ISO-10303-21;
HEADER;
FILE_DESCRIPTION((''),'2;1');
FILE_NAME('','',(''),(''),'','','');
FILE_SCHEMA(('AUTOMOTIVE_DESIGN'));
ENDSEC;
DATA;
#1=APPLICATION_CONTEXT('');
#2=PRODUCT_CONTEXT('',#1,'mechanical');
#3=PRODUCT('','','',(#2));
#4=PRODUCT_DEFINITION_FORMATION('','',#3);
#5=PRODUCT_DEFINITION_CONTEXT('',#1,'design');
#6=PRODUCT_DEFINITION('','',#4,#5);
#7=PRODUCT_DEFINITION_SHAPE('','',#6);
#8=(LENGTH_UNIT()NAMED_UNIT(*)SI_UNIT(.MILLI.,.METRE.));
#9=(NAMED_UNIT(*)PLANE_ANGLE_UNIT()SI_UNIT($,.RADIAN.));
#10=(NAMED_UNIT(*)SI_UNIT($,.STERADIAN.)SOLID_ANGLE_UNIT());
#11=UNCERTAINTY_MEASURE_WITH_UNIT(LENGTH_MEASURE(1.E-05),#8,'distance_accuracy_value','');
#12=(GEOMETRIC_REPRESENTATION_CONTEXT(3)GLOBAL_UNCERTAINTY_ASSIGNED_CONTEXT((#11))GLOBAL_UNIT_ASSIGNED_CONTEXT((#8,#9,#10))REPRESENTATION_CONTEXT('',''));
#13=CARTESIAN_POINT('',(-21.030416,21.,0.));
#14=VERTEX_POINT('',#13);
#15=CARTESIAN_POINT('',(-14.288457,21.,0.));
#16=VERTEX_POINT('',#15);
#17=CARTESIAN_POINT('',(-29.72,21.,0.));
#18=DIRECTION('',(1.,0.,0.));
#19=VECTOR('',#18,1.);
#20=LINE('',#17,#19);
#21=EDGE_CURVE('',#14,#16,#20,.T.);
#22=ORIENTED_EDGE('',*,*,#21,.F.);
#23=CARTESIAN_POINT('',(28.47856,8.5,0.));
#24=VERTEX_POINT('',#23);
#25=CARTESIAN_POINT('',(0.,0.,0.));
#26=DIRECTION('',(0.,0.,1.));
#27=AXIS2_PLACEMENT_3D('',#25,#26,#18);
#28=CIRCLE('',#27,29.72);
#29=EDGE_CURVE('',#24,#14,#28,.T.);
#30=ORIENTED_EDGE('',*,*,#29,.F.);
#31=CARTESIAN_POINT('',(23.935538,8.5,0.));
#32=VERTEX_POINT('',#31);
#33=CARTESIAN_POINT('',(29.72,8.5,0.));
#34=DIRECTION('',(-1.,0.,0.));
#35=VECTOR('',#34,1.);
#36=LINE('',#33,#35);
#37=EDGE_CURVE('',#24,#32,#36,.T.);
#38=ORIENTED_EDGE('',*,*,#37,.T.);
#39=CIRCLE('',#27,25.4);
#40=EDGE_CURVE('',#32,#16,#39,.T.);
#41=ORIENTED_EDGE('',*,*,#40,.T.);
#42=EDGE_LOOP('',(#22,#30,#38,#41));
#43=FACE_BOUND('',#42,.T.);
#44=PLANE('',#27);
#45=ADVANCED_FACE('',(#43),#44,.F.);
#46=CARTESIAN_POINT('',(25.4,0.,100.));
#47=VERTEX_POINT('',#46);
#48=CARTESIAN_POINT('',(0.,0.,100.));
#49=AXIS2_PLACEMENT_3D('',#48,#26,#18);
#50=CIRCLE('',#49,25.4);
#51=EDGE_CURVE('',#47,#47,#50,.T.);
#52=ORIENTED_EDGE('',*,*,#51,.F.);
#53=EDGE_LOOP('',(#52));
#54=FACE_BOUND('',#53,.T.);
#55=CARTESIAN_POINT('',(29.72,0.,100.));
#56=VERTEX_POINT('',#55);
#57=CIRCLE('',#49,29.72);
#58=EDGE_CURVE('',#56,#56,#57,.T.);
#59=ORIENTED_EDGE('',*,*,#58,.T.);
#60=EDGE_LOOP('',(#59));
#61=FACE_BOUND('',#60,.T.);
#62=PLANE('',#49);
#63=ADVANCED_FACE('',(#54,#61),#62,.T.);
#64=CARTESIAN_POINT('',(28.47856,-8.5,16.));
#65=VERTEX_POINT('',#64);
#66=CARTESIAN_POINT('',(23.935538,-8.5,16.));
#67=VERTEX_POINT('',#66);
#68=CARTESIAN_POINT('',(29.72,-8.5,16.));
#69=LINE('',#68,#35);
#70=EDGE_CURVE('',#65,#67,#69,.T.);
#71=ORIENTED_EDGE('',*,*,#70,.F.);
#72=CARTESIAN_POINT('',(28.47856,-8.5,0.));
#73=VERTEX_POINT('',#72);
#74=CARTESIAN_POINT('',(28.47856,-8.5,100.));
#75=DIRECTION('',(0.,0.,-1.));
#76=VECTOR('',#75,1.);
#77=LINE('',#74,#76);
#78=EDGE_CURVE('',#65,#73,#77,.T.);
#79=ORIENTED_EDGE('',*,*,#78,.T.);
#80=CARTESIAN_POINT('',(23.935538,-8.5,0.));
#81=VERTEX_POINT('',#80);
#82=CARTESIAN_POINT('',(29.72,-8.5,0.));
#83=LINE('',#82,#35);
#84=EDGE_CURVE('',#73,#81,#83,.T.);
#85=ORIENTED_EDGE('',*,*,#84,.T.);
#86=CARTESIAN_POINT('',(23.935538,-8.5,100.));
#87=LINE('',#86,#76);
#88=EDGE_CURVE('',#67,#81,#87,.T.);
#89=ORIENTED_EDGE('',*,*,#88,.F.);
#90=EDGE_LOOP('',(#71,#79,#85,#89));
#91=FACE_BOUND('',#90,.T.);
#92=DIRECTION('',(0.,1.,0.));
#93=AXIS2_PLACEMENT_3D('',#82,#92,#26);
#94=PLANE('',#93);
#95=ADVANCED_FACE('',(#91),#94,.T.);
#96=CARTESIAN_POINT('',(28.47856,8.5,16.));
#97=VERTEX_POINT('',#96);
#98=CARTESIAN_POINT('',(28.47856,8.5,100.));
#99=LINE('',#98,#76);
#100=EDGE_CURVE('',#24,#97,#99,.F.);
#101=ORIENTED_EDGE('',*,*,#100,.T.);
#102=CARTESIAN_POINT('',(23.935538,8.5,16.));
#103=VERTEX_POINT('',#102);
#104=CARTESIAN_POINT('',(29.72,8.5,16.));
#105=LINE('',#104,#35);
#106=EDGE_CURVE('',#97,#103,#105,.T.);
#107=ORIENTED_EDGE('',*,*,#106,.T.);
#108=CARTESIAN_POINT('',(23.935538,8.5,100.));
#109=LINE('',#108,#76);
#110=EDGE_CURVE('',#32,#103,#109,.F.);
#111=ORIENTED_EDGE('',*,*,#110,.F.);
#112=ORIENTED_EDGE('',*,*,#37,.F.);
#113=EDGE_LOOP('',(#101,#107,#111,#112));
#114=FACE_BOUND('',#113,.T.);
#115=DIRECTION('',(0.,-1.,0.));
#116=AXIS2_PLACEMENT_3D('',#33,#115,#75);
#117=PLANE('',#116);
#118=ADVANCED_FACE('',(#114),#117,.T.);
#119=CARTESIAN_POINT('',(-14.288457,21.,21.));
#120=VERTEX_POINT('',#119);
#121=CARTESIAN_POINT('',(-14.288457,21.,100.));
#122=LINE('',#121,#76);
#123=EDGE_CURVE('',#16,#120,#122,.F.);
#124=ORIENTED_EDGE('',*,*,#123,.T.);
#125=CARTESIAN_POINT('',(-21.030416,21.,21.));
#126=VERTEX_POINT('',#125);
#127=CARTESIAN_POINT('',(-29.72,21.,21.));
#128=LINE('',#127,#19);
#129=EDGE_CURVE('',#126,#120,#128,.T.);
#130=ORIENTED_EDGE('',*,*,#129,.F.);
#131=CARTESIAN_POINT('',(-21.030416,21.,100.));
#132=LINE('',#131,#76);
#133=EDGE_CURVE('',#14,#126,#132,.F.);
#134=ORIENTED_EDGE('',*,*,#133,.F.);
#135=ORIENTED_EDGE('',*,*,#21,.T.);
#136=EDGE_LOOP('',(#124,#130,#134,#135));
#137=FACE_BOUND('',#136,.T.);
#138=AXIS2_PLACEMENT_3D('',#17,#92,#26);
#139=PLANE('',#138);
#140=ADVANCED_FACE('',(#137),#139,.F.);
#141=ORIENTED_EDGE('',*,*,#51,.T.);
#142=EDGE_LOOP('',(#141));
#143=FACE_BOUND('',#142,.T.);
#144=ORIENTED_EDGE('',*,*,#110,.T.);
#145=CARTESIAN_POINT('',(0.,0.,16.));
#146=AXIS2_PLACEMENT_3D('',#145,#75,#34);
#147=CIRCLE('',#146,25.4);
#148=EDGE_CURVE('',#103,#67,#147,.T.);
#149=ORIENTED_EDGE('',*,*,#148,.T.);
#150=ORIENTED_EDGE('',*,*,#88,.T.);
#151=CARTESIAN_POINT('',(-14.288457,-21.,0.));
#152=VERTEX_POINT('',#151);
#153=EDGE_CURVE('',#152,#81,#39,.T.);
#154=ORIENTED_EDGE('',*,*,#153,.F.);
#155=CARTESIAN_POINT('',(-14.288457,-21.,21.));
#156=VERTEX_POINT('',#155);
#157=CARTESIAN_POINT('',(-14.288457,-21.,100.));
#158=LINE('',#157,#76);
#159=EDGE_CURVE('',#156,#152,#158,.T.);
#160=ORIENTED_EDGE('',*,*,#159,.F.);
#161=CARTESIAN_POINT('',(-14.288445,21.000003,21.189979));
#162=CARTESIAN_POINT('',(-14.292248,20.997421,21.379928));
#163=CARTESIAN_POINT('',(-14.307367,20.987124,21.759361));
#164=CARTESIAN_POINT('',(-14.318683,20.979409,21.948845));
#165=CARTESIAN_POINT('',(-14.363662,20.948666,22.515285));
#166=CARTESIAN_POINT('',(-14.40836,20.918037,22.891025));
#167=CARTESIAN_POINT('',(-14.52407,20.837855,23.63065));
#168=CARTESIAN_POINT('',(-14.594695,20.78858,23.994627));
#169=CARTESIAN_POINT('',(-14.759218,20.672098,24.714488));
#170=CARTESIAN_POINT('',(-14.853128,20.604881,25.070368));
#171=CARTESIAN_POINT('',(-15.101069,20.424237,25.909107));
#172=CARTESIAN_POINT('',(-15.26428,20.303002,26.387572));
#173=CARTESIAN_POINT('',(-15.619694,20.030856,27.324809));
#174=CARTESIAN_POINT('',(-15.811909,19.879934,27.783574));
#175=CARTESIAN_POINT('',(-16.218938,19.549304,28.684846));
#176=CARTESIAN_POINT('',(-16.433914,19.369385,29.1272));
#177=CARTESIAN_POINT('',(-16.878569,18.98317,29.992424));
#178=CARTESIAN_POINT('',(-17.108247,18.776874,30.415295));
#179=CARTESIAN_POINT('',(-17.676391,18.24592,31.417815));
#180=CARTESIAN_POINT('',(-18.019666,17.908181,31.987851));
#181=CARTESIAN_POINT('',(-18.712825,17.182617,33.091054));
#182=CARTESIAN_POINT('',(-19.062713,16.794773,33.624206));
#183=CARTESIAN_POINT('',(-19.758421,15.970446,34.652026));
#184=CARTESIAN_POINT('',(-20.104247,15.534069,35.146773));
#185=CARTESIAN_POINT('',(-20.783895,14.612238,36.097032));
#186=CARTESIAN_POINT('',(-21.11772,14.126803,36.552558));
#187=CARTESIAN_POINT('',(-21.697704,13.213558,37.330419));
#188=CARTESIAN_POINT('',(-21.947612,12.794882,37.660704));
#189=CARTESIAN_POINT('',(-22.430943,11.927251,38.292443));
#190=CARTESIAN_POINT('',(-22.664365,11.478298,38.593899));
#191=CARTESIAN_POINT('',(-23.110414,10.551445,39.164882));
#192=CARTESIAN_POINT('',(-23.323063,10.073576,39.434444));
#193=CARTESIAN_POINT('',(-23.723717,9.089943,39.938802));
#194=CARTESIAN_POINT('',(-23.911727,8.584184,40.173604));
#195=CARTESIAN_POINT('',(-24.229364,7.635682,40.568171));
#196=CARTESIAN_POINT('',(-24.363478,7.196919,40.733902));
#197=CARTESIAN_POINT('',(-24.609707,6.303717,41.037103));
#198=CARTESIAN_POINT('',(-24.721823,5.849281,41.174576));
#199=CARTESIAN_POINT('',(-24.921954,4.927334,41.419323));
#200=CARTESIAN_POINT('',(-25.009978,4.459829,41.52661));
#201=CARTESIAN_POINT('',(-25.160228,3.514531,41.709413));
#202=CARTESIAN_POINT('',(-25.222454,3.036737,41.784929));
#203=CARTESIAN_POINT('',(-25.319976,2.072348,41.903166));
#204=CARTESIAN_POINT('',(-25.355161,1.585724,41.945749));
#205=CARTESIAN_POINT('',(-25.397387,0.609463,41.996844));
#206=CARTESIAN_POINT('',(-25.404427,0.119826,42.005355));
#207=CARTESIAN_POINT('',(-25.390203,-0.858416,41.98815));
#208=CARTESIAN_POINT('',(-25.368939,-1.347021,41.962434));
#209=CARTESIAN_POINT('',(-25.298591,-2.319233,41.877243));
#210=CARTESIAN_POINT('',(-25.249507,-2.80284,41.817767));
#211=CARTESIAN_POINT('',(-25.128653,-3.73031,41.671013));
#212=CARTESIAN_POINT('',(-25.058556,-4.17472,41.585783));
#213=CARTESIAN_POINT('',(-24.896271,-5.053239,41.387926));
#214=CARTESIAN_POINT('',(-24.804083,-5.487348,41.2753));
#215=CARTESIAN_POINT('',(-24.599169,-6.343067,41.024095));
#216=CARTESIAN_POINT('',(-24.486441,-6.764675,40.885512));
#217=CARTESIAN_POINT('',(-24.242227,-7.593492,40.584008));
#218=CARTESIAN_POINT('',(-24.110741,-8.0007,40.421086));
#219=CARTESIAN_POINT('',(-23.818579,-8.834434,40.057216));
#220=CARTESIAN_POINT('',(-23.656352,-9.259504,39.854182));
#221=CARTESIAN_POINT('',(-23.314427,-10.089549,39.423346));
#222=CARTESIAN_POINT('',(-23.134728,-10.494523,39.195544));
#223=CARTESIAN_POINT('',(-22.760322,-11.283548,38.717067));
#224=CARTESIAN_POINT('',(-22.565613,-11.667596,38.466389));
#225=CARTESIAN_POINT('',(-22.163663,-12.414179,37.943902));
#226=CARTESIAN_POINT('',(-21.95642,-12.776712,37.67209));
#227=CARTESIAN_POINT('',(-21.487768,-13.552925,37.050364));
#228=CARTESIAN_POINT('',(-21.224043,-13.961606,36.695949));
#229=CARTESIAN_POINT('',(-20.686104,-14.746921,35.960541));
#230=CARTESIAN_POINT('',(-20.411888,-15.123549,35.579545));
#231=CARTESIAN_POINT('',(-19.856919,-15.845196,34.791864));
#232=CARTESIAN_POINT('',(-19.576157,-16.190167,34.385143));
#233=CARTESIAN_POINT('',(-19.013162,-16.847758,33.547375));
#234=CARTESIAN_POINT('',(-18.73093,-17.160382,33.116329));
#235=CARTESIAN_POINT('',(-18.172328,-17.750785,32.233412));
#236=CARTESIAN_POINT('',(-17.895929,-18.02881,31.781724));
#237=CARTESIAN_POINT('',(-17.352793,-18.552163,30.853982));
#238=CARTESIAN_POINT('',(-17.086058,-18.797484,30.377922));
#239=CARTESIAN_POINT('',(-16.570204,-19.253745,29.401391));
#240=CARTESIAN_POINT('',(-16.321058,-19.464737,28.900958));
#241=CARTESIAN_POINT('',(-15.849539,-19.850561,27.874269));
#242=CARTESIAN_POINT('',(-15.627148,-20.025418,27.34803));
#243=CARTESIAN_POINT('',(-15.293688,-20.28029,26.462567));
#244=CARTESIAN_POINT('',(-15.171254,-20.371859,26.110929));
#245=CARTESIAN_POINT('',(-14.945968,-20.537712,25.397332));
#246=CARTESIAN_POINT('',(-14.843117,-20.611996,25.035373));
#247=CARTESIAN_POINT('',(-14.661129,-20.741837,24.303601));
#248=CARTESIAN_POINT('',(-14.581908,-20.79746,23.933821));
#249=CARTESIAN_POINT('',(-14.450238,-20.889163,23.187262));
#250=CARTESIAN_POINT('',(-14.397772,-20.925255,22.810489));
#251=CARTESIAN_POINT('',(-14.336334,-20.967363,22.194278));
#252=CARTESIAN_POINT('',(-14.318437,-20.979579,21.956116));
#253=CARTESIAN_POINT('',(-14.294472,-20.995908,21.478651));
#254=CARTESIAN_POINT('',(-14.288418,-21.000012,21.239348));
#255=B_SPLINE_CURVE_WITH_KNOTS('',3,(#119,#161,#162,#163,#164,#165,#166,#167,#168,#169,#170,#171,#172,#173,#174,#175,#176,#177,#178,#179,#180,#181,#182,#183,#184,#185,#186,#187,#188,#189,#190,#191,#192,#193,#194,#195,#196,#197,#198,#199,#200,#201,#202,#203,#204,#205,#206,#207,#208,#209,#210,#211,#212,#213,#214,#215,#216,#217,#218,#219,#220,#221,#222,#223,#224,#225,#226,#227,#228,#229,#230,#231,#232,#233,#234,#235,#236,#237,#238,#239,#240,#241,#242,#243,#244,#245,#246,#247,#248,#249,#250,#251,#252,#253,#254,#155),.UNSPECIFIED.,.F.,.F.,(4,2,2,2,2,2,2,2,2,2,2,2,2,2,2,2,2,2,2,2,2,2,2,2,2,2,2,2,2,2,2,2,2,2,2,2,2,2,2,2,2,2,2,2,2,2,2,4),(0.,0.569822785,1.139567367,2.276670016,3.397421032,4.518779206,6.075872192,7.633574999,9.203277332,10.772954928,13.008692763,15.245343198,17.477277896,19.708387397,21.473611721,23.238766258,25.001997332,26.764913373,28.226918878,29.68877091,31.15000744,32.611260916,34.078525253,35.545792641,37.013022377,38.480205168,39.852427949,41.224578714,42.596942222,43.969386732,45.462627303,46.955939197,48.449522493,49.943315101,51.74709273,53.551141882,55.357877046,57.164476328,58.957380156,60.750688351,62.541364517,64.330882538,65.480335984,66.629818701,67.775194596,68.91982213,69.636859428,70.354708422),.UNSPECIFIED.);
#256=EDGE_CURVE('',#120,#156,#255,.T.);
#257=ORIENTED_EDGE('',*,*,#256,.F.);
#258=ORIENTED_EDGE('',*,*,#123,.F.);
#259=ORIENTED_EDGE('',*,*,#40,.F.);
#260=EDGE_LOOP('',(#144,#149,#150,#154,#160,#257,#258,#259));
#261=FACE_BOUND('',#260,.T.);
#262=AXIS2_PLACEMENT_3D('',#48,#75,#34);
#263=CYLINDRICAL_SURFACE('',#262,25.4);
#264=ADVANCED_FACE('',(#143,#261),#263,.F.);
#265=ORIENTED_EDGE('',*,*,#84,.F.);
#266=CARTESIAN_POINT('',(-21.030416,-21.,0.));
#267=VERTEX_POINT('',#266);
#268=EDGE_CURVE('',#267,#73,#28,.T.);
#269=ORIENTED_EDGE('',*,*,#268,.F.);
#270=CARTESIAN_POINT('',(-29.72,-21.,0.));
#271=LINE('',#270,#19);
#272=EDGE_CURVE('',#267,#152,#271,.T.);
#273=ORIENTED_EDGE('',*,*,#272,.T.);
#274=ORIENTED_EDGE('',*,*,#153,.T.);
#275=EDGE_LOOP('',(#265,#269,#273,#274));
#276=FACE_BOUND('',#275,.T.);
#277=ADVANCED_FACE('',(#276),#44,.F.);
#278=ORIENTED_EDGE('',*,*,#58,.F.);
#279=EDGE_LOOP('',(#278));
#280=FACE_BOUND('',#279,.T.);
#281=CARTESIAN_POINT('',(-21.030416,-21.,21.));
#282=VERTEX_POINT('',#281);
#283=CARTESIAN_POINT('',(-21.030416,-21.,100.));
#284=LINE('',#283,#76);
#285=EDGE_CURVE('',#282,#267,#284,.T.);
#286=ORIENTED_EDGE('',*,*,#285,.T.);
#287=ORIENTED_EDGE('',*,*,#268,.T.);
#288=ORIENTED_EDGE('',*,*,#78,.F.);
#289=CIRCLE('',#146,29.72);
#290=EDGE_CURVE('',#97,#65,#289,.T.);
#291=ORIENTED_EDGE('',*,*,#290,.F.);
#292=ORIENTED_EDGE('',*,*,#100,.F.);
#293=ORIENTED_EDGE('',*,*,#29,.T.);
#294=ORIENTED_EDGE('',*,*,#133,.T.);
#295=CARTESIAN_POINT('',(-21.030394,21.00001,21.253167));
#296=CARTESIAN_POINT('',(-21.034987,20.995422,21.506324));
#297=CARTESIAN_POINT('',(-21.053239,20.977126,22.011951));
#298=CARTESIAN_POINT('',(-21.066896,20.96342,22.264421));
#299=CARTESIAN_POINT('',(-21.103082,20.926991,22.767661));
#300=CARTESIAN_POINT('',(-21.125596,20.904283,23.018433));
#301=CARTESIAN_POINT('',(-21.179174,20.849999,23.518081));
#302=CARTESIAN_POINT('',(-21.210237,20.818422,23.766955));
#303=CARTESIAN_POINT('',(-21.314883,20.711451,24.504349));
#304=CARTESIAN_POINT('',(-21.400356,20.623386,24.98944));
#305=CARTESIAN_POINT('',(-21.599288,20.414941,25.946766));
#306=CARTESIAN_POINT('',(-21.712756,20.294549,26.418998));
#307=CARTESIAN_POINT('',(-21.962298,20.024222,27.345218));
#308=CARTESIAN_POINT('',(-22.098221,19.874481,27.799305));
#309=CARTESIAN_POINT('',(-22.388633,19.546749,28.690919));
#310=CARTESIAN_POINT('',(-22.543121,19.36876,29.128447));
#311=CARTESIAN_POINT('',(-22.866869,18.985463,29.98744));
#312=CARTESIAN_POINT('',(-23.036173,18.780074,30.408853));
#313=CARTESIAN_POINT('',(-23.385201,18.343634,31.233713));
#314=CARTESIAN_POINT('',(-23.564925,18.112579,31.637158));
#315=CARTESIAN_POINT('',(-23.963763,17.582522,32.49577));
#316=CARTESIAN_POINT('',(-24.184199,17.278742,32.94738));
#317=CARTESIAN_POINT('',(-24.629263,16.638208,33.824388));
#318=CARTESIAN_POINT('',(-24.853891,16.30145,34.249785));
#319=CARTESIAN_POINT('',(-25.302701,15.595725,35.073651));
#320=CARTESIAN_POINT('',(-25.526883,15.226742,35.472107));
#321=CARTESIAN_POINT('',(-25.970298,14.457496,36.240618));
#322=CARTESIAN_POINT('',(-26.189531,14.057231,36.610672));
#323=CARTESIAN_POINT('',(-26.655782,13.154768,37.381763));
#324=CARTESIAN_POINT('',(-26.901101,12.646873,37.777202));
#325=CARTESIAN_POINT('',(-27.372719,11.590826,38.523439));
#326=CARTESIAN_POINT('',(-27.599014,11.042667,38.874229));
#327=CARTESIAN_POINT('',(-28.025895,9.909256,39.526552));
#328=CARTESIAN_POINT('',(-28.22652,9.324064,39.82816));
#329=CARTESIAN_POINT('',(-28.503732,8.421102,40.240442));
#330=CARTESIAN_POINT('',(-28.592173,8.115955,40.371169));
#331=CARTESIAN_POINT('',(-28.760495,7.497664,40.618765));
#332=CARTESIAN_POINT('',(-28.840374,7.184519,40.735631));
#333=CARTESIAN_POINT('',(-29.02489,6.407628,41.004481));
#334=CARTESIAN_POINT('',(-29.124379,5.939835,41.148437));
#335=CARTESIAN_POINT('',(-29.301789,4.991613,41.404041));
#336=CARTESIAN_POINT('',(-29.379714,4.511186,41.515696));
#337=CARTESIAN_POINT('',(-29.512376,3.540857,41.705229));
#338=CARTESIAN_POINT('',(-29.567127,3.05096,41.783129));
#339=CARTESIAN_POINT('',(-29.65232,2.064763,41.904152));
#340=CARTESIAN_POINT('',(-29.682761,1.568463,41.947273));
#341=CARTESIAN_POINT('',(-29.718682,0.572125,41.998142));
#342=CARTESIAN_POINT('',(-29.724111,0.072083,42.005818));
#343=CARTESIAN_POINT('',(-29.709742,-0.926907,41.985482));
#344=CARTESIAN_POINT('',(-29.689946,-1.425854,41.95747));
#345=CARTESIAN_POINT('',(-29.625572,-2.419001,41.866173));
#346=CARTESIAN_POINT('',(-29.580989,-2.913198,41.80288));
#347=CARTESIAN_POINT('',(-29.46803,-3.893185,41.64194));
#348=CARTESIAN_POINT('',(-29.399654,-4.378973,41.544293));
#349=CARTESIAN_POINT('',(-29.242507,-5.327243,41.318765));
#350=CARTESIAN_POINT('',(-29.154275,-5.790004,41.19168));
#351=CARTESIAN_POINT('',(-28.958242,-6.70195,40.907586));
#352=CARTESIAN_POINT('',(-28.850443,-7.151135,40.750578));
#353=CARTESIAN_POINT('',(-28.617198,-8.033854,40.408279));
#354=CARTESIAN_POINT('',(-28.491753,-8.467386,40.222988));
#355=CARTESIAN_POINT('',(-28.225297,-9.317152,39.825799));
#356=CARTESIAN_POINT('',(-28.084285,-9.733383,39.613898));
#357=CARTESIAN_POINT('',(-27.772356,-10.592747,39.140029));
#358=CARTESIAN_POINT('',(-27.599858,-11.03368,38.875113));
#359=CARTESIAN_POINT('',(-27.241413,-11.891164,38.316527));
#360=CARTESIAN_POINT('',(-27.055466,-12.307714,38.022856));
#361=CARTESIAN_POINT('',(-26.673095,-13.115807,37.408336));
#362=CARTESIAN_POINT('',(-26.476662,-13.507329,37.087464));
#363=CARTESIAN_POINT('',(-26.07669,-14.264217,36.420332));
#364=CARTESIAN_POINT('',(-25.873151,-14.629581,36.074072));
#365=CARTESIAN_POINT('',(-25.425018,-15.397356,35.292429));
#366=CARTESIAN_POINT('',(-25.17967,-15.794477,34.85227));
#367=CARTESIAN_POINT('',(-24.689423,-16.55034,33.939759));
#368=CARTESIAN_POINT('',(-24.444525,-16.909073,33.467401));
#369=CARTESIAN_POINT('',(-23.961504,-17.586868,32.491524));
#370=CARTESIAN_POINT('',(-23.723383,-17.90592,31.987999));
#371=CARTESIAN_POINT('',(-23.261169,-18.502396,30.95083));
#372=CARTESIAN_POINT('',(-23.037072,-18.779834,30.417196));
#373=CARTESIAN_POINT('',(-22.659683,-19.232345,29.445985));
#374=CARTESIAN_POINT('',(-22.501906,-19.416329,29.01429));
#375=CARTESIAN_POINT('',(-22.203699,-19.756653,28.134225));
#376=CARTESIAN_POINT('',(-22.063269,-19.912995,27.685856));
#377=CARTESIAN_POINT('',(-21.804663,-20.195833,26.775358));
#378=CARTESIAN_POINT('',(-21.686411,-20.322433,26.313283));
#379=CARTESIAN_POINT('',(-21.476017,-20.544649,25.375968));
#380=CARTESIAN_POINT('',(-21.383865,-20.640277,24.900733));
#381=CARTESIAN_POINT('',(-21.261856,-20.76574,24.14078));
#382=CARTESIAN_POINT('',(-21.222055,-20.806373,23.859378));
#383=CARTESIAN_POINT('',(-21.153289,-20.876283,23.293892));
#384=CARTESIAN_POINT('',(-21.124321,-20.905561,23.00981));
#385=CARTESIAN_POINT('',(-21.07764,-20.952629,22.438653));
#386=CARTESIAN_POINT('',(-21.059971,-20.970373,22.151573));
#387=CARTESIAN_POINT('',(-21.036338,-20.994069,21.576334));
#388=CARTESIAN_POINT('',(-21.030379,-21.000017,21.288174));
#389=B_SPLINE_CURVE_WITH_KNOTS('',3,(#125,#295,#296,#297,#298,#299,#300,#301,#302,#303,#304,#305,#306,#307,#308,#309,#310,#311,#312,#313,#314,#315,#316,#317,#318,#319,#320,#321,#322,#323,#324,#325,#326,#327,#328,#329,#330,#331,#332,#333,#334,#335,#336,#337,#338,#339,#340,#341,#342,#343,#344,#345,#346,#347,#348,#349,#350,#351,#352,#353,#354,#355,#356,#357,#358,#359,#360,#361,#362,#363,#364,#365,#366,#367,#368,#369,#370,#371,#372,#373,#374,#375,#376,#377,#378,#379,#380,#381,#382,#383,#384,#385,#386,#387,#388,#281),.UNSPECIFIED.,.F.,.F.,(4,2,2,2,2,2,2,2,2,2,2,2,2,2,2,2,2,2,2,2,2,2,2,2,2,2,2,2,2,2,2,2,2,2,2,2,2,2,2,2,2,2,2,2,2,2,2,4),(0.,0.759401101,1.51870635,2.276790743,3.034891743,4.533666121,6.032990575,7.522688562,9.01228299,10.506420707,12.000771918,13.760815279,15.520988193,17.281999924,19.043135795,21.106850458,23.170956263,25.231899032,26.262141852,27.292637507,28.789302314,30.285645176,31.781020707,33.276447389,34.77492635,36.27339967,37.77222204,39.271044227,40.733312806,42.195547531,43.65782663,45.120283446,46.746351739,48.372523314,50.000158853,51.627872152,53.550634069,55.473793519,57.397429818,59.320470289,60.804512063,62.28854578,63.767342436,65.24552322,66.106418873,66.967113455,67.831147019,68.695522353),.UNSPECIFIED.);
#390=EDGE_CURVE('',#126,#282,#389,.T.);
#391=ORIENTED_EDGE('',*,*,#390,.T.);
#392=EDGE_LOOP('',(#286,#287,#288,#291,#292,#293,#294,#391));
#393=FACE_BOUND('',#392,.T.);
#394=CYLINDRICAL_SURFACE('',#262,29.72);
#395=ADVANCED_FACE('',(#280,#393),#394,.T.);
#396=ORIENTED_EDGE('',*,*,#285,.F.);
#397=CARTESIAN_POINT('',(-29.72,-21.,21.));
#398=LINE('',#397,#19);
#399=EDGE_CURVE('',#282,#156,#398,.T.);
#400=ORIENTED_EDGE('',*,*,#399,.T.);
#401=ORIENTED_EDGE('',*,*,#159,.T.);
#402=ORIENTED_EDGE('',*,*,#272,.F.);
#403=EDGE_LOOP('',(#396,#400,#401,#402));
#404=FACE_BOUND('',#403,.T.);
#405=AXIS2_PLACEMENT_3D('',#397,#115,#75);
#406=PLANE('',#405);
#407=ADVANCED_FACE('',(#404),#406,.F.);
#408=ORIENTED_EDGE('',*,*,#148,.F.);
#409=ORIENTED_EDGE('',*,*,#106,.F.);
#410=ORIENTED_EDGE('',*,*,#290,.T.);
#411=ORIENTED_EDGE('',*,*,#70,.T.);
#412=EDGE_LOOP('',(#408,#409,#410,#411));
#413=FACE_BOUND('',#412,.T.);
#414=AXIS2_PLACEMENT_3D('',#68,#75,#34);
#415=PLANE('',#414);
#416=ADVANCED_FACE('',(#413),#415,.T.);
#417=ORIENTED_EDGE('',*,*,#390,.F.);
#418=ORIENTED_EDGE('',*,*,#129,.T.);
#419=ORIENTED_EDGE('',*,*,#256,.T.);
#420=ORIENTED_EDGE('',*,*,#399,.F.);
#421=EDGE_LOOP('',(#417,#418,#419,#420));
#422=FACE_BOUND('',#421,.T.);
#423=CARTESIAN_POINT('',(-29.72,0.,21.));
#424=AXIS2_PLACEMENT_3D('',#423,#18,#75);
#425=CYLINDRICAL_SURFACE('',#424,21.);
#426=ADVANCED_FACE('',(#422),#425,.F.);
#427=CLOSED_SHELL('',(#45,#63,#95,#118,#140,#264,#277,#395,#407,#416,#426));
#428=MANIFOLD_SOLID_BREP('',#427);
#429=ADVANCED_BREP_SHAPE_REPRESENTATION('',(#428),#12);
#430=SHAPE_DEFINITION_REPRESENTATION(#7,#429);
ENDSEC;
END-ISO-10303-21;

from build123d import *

# Parameters (mm, degrees)
CROQUIS1_R              = 29.72
CROQUIS1_R_2            = 25.4
SALIENTE_EXTRUIR1_DEPTH = 100
CORTAR_EXTRUIR2_DEPTH   = 109.473760883
CROQUIS4_W              = 16
CROQUIS4_H              = 17
CORTAR_EXTRUIR3_DEPTH   = 109.47376103


with BuildPart() as part:
    # Croquis1 → Saliente-Extruir1 (new body)
    with BuildSketch(Plane.XY):
        Circle(CROQUIS1_R)
        Circle(CROQUIS1_R_2, mode=Mode.SUBTRACT)
    extrude(amount=SALIENTE_EXTRUIR1_DEPTH)

    # Croquis3 → Cortar-Extruir2 (cut, through all)
    with BuildSketch(Plane(origin=(0, 0, 0), x_dir=(0, 0, -1), z_dir=(1, 0, 0))):
        with BuildLine():
            Line((0, 21), (-21, 21))
            ThreePointArc((-21, 21), (-42, 0), (-21, -21))
            Line((-21, -21), (0, -21))
            Line((0, -21), (0, 21))
        make_face()
    extrude(amount=-CORTAR_EXTRUIR2_DEPTH, mode=Mode.SUBTRACT)

    # Croquis4 → Cortar-Extruir3 (cut, through all)
    with BuildSketch(Plane(origin=(0, 0, 0), x_dir=(0, 0, -1), z_dir=(1, 0, 0))):
        with Locations((-8, 0)):
            Rectangle(CROQUIS4_W, CROQUIS4_H)
    extrude(amount=CORTAR_EXTRUIR3_DEPTH, mode=Mode.SUBTRACT)


solid = part.part
